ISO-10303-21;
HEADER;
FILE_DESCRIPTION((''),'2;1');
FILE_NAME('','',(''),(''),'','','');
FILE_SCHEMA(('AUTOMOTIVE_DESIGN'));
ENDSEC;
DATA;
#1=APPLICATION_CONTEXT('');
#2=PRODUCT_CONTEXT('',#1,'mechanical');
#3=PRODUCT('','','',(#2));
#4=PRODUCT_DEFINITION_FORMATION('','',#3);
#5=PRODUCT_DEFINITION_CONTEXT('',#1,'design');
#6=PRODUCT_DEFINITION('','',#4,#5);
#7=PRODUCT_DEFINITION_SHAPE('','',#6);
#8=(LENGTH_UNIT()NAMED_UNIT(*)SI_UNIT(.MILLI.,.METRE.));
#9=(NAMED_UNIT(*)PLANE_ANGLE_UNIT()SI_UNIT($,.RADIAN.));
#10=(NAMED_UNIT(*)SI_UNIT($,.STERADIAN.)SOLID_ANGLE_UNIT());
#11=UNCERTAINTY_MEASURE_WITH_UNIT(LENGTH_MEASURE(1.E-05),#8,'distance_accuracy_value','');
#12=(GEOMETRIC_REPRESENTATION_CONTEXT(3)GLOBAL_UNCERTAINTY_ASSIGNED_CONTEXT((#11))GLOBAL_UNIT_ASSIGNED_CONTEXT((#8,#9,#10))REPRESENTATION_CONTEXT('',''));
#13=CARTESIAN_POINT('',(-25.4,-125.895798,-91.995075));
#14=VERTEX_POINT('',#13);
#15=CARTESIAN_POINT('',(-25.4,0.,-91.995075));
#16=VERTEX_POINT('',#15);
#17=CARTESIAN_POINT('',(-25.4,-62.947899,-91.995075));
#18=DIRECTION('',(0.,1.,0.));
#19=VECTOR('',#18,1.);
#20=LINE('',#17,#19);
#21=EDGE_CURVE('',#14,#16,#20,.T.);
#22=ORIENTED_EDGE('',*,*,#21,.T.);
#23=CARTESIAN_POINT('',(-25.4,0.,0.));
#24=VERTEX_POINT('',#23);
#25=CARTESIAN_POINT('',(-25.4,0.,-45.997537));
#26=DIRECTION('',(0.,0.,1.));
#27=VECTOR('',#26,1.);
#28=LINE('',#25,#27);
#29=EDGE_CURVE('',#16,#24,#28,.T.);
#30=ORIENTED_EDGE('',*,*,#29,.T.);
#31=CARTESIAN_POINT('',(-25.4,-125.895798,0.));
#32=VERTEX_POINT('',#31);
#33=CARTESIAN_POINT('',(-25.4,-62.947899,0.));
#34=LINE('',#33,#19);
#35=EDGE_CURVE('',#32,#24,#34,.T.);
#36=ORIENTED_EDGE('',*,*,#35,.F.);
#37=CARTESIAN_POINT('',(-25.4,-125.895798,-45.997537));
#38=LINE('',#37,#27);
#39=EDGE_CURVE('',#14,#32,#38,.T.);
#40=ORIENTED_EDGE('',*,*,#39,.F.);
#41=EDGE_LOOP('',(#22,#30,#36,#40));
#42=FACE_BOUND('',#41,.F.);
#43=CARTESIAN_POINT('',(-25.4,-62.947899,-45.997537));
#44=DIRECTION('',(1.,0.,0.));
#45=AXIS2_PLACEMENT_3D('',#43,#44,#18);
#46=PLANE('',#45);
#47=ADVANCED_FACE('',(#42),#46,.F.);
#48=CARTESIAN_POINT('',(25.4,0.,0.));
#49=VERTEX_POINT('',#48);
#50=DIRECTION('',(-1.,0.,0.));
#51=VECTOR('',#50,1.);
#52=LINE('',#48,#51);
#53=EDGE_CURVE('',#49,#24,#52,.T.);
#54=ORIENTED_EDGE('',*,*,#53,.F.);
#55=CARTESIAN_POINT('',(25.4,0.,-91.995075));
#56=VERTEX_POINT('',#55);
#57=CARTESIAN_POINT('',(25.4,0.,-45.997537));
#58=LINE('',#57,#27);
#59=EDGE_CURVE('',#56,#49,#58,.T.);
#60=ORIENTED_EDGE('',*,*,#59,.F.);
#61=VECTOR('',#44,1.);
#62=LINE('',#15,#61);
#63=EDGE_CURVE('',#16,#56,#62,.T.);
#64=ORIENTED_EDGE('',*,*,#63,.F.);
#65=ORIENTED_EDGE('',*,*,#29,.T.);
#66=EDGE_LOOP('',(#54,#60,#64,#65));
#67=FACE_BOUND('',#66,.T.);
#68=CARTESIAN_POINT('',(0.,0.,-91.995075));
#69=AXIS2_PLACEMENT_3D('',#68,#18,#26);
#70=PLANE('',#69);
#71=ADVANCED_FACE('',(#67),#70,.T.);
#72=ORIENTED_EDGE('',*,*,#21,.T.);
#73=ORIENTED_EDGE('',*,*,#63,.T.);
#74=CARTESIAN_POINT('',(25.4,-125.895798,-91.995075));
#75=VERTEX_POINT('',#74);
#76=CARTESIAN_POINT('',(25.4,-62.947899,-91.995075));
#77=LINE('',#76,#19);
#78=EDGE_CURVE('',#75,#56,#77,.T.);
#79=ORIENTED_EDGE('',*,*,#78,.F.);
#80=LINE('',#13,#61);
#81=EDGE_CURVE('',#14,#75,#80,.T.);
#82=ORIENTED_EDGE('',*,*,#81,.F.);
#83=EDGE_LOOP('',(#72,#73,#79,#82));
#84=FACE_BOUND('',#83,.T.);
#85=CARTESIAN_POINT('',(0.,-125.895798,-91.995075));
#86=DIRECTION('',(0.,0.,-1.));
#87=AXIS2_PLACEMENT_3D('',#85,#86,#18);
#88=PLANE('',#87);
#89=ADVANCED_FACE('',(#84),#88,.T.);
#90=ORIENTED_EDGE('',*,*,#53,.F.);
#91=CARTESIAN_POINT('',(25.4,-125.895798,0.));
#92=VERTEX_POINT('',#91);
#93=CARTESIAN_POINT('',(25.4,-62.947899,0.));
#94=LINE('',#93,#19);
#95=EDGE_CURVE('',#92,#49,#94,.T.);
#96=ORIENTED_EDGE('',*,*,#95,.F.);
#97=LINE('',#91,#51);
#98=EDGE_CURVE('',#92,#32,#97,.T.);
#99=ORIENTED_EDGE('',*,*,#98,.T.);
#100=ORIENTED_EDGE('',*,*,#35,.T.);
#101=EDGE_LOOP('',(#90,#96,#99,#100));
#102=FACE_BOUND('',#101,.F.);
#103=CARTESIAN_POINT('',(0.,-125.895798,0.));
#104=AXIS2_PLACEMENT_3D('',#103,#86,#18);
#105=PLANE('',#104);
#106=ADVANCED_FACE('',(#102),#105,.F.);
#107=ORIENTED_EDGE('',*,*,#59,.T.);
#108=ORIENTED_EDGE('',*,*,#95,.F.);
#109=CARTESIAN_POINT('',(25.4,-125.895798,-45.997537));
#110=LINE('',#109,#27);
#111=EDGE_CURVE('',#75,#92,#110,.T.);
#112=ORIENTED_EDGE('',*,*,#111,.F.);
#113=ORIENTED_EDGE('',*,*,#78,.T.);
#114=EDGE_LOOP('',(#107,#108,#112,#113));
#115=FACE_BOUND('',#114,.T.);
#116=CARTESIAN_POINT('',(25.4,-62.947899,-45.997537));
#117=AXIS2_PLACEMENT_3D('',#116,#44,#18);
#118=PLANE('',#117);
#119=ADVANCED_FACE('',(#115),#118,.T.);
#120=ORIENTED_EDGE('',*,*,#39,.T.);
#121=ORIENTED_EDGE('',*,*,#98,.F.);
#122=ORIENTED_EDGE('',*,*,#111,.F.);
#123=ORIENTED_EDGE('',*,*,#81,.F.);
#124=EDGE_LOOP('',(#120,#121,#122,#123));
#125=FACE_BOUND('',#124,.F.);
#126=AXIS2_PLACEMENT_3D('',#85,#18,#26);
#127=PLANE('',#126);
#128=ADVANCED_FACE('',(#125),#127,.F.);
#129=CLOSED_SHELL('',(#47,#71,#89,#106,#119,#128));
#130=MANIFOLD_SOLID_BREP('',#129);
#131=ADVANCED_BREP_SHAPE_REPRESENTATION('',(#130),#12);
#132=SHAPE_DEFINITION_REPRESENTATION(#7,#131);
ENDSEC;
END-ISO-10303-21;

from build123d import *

# Parameters (mm, degrees)
F0_W     = 125.895798
F0_H     = 91.995075
F1_DEPTH = 25.4


with BuildPart() as f1:
    # F0 (on Right) → F1 (new body, symmetric)
    with BuildSketch(Plane.YZ):
        with Locations((-62.947899, -45.997537)):
            Rectangle(F0_W, F0_H)
    extrude(amount=F1_DEPTH, both=True)


solid = f1.part
